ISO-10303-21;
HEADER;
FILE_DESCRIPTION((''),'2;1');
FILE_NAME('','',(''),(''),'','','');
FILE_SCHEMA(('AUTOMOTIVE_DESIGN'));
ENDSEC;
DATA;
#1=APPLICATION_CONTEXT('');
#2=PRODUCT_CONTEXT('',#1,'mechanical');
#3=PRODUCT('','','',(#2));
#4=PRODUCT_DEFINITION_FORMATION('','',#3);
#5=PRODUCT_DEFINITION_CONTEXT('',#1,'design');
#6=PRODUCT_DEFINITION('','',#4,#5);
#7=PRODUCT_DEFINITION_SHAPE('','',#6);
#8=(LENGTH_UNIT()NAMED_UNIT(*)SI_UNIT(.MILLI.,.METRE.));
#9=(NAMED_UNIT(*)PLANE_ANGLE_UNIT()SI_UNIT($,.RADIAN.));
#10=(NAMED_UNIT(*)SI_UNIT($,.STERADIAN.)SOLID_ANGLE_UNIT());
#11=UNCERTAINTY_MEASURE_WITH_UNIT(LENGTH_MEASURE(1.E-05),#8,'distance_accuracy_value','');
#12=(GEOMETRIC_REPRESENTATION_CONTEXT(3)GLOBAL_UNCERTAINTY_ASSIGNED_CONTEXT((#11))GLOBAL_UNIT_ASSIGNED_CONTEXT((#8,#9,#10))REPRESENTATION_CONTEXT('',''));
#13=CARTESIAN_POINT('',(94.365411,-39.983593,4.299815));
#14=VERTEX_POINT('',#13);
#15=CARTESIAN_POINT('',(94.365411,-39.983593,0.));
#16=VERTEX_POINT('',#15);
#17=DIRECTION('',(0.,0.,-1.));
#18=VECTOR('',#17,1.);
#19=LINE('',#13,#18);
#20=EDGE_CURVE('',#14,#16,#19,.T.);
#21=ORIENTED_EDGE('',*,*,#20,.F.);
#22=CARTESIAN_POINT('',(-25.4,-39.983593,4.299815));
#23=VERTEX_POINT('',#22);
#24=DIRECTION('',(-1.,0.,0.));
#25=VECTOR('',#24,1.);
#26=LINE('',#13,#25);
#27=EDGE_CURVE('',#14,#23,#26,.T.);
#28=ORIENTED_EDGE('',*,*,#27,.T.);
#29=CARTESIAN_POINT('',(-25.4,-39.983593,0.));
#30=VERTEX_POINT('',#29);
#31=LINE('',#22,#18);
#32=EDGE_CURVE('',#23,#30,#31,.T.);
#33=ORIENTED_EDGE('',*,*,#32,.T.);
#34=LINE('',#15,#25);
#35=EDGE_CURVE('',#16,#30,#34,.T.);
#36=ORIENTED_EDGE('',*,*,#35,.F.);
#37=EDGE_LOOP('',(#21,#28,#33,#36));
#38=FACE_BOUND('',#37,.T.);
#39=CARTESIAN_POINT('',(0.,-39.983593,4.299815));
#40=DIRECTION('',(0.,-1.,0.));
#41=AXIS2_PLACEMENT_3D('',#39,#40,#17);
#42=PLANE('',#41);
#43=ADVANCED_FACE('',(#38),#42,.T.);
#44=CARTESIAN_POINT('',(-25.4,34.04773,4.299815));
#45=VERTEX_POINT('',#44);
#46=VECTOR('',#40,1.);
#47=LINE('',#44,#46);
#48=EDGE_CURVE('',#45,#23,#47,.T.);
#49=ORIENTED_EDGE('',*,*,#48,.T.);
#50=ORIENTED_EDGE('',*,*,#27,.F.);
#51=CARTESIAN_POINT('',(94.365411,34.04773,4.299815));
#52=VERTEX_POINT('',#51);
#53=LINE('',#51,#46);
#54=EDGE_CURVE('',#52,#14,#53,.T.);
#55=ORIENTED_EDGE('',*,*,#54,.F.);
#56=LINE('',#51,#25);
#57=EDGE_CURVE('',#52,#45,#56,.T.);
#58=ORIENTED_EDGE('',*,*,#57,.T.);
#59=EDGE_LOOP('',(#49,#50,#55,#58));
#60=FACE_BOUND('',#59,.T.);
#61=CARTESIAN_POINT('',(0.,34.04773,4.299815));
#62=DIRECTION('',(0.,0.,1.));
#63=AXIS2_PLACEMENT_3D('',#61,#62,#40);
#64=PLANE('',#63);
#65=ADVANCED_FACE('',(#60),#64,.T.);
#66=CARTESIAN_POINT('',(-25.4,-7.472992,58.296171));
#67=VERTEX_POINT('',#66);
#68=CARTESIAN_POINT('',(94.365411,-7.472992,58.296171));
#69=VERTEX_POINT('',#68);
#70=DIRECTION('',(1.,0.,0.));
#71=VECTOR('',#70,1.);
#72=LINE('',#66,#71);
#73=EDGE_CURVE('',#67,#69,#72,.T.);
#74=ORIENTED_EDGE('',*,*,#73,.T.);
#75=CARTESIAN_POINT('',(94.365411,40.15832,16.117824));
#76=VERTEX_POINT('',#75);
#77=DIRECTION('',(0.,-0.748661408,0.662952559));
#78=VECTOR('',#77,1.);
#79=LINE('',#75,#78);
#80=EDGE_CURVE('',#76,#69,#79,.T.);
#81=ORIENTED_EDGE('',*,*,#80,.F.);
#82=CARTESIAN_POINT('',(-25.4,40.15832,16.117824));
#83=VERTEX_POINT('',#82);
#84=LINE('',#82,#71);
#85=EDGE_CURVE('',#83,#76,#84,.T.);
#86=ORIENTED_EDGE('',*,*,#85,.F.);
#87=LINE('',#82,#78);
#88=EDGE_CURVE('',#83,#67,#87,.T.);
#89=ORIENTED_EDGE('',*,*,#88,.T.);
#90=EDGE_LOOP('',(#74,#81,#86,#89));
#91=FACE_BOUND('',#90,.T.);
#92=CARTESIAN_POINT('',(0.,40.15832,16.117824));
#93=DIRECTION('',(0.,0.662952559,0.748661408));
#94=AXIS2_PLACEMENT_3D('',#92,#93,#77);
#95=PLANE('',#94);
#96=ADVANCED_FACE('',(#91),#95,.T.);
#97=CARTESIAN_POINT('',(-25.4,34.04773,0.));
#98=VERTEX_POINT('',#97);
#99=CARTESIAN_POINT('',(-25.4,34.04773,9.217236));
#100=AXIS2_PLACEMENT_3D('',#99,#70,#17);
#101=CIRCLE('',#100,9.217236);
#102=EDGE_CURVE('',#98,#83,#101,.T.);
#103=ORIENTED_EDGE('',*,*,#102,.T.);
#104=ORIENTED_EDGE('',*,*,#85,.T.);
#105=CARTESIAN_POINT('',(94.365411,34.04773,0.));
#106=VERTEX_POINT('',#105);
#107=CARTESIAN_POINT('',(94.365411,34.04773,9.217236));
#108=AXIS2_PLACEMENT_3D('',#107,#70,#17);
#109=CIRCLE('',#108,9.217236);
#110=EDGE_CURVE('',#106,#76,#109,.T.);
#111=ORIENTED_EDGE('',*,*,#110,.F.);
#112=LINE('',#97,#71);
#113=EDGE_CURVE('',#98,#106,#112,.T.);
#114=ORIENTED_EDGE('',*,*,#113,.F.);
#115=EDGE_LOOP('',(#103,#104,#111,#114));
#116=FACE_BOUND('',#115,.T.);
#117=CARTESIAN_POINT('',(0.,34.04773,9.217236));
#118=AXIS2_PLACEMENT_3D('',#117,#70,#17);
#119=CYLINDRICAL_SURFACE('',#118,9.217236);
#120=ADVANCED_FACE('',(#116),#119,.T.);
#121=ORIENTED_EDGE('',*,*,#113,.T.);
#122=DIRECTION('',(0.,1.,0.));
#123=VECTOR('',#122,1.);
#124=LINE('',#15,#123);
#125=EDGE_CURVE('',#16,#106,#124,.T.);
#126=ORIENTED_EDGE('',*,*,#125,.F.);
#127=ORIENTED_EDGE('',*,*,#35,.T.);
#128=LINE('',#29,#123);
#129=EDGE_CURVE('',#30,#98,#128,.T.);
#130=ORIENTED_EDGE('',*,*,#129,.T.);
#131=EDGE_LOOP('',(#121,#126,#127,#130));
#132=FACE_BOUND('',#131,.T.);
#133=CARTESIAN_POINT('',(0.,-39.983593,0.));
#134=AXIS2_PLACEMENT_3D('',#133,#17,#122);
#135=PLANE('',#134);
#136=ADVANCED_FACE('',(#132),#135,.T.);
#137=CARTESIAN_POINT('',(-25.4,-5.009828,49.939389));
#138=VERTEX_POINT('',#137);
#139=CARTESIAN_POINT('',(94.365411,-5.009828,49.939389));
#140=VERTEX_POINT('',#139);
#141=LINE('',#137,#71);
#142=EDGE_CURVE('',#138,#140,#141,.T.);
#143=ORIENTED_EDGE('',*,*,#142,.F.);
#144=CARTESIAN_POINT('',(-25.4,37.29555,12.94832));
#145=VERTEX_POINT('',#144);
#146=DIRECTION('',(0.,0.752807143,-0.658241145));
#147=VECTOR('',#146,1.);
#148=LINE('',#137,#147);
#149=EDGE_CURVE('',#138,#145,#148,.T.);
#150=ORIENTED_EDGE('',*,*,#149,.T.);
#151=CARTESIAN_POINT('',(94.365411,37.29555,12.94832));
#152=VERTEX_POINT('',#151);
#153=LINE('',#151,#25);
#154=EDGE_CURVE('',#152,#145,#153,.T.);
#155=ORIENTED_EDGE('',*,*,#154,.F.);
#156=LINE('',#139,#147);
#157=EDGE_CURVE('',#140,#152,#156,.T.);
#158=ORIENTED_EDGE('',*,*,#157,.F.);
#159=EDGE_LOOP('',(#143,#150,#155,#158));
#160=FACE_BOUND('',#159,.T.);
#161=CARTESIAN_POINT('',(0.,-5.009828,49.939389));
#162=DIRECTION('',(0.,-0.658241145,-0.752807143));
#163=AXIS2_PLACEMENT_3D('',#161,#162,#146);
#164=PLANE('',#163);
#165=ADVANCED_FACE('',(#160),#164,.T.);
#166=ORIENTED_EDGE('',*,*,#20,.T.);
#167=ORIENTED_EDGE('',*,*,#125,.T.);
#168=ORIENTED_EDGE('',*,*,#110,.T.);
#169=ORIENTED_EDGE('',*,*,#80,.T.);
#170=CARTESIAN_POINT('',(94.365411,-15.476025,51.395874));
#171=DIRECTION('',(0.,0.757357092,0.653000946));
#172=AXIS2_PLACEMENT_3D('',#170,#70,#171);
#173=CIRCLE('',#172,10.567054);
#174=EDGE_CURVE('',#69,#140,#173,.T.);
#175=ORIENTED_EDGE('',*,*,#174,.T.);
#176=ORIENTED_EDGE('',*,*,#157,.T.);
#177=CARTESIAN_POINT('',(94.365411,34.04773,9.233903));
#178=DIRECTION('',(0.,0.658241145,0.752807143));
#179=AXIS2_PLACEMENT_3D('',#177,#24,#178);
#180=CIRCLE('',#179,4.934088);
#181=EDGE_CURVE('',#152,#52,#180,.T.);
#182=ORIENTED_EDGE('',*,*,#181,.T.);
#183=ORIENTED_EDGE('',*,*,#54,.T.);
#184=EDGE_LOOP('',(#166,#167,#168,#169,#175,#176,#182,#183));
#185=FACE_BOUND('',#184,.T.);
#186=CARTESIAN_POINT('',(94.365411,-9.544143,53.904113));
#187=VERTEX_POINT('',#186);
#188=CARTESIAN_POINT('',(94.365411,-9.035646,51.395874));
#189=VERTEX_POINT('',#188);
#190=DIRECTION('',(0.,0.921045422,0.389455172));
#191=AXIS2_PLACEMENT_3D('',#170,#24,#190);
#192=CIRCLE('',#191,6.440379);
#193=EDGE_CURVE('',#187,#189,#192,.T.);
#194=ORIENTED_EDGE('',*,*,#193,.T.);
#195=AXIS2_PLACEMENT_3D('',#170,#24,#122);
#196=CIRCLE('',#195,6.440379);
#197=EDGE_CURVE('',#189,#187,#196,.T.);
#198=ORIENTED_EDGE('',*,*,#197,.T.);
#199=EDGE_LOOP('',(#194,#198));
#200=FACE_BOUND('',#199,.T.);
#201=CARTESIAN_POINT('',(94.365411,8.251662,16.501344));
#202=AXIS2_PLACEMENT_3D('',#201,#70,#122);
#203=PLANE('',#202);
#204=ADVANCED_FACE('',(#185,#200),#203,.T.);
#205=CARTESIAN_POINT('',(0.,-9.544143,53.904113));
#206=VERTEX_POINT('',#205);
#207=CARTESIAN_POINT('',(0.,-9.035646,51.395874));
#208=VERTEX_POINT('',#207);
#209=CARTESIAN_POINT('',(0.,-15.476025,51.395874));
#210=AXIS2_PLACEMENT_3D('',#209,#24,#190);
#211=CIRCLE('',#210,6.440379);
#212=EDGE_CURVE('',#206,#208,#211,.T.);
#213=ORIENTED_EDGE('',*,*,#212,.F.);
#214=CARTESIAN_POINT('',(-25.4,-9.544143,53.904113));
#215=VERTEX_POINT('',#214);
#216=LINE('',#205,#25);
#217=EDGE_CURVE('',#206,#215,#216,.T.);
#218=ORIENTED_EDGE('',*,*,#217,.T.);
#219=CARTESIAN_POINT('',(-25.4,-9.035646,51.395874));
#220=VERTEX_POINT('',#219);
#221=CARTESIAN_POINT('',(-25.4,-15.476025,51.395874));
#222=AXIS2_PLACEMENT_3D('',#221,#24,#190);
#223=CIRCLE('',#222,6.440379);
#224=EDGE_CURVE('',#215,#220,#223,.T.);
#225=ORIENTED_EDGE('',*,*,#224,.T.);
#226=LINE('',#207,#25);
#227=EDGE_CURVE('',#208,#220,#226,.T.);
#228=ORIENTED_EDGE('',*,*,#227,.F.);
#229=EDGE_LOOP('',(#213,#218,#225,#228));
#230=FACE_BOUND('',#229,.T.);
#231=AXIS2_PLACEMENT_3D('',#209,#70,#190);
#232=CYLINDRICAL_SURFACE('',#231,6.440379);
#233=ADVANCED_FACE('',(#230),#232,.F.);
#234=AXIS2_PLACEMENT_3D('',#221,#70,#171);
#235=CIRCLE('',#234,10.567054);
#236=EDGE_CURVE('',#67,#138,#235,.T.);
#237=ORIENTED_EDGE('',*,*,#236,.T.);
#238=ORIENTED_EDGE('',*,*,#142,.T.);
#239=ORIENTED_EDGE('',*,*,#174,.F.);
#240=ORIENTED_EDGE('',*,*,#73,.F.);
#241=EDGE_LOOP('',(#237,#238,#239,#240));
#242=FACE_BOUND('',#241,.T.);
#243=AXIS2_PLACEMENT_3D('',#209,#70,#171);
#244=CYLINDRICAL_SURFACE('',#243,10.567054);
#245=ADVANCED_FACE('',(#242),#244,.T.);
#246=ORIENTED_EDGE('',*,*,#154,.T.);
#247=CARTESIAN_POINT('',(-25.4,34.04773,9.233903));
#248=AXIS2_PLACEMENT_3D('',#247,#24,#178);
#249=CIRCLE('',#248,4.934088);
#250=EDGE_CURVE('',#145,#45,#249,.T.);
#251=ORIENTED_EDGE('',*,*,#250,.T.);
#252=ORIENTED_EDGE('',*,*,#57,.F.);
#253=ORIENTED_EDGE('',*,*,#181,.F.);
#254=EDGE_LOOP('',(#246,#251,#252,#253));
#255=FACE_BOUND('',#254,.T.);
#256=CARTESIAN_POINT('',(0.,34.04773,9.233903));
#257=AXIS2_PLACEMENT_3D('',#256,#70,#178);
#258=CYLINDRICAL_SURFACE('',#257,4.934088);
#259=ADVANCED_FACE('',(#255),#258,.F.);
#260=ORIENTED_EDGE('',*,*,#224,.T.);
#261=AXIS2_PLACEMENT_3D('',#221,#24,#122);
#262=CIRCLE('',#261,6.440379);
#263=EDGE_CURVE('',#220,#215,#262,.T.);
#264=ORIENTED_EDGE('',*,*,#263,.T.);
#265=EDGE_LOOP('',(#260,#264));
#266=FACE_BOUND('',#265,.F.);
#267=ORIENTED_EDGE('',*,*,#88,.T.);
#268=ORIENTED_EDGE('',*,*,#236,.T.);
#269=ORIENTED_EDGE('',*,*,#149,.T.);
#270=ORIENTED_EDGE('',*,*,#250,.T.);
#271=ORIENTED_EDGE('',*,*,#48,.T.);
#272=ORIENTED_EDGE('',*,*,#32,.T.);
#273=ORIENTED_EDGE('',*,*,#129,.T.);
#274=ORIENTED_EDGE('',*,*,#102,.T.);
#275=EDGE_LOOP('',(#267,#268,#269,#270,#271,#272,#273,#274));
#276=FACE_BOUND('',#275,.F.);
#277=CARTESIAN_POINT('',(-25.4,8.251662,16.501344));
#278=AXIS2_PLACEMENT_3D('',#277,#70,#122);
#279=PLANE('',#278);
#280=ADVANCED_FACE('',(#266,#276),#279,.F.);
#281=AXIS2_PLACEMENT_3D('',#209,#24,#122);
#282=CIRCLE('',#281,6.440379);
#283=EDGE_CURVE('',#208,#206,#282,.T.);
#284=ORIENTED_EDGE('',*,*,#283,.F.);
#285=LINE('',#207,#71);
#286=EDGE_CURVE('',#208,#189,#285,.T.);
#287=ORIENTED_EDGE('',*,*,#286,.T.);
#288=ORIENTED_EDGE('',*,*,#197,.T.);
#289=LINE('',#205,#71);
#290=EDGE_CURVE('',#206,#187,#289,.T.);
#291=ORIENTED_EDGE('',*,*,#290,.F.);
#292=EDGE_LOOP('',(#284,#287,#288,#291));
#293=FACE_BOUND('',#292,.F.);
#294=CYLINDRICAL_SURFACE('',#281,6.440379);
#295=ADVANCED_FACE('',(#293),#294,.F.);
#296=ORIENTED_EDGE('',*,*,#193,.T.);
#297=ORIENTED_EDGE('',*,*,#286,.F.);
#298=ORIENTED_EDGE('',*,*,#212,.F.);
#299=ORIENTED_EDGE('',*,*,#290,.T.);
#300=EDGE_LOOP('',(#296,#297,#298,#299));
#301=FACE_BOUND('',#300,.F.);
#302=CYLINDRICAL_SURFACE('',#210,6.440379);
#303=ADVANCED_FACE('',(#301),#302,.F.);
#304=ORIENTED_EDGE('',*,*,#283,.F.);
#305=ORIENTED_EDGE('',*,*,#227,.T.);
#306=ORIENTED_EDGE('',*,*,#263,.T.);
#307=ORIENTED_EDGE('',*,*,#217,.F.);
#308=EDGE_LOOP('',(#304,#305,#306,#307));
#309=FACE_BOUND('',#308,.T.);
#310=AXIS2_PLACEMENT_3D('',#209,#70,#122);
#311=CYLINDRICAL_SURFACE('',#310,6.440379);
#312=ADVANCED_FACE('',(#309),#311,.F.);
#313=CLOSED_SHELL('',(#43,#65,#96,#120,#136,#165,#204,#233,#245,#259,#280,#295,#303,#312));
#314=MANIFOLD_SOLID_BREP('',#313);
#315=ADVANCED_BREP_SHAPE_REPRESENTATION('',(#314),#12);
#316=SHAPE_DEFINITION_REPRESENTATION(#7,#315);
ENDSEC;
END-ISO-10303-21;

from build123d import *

# Parameters (mm, degrees)
F1_DEPTH = 94.3654105067
F2_DEPTH = 25.4


with BuildPart() as f1:
    # F0 (on Right) → F1 (new body)
    with BuildSketch(Plane.YZ):
        with BuildLine():
            Line((-39.9835929275, 0), (0, 0))
            Line((0, 0), (34.047730267, 0))
            ThreePointArc((34.047730267, 0), (42.6663665837, 5.9497380049), (40.1583202183, 16.1178242415))
            Line((40.1583202183, 16.1178242415), (-7.4729916735, 58.2961705104))
            ThreePointArc((-7.4729916735, 58.2961705104), (-5.570695265, 55.0765091724), (-4.9089710419, 51.3958744705))
            ThreePointArc((-4.9089710419, 51.3958744705), (-4.9342154485, 50.6658876775), (-5.0098280518, 49.939388722))
            Line((-5.0098280518, 49.939388722), (37.295550108, 12.9483202472))
            ThreePointArc((37.295550108, 12.9483202472), (38.6668473881, 7.4992614051), (34.047730267, 4.2998152785))
            Line((34.047730267, 4.2998152785), (0, 4.2998152785))
            Line((0, 4.2998152785), (-39.9835929275, 4.2998152785))
            Line((-39.9835929275, 4.2998152785), (-39.9835929275, 0))
        make_face()
        with BuildLine():
            ThreePointArc((-4.9089710419, 51.3958744705), (-5.570695265, 55.0765091724), (-7.4729916735, 58.2961705104))
            ThreePointArc((-7.4729916735, 58.2961705104), (-25.6119539634, 48.4083066672), (-5.0098280518, 49.939388722))
            ThreePointArc((-5.0098280518, 49.939388722), (-4.9342154485, 50.6658876775), (-4.9089710419, 51.3958744705))
        make_face()
        with BuildLine():
            ThreePointArc((-9.0356460446, 51.3958744705), (-21.7879990052, 50.1162425544), (-9.5441434252, 53.9041132503))
            ThreePointArc((-9.5441434252, 53.9041132503), (-9.164050414, 52.6755063865), (-9.0356460446, 51.3958744705))
        make_face(mode=Mode.SUBTRACT)
    extrude(amount=F1_DEPTH)

    # F2 (add): a face of the model
    f2_faces = [f1.faces().sort_by_distance(p)[0] for p in [
        (0, -2.9679313302, 1.0377729525),
    ]]
    extrude(f2_faces, amount=F2_DEPTH)


solid = f1.part
